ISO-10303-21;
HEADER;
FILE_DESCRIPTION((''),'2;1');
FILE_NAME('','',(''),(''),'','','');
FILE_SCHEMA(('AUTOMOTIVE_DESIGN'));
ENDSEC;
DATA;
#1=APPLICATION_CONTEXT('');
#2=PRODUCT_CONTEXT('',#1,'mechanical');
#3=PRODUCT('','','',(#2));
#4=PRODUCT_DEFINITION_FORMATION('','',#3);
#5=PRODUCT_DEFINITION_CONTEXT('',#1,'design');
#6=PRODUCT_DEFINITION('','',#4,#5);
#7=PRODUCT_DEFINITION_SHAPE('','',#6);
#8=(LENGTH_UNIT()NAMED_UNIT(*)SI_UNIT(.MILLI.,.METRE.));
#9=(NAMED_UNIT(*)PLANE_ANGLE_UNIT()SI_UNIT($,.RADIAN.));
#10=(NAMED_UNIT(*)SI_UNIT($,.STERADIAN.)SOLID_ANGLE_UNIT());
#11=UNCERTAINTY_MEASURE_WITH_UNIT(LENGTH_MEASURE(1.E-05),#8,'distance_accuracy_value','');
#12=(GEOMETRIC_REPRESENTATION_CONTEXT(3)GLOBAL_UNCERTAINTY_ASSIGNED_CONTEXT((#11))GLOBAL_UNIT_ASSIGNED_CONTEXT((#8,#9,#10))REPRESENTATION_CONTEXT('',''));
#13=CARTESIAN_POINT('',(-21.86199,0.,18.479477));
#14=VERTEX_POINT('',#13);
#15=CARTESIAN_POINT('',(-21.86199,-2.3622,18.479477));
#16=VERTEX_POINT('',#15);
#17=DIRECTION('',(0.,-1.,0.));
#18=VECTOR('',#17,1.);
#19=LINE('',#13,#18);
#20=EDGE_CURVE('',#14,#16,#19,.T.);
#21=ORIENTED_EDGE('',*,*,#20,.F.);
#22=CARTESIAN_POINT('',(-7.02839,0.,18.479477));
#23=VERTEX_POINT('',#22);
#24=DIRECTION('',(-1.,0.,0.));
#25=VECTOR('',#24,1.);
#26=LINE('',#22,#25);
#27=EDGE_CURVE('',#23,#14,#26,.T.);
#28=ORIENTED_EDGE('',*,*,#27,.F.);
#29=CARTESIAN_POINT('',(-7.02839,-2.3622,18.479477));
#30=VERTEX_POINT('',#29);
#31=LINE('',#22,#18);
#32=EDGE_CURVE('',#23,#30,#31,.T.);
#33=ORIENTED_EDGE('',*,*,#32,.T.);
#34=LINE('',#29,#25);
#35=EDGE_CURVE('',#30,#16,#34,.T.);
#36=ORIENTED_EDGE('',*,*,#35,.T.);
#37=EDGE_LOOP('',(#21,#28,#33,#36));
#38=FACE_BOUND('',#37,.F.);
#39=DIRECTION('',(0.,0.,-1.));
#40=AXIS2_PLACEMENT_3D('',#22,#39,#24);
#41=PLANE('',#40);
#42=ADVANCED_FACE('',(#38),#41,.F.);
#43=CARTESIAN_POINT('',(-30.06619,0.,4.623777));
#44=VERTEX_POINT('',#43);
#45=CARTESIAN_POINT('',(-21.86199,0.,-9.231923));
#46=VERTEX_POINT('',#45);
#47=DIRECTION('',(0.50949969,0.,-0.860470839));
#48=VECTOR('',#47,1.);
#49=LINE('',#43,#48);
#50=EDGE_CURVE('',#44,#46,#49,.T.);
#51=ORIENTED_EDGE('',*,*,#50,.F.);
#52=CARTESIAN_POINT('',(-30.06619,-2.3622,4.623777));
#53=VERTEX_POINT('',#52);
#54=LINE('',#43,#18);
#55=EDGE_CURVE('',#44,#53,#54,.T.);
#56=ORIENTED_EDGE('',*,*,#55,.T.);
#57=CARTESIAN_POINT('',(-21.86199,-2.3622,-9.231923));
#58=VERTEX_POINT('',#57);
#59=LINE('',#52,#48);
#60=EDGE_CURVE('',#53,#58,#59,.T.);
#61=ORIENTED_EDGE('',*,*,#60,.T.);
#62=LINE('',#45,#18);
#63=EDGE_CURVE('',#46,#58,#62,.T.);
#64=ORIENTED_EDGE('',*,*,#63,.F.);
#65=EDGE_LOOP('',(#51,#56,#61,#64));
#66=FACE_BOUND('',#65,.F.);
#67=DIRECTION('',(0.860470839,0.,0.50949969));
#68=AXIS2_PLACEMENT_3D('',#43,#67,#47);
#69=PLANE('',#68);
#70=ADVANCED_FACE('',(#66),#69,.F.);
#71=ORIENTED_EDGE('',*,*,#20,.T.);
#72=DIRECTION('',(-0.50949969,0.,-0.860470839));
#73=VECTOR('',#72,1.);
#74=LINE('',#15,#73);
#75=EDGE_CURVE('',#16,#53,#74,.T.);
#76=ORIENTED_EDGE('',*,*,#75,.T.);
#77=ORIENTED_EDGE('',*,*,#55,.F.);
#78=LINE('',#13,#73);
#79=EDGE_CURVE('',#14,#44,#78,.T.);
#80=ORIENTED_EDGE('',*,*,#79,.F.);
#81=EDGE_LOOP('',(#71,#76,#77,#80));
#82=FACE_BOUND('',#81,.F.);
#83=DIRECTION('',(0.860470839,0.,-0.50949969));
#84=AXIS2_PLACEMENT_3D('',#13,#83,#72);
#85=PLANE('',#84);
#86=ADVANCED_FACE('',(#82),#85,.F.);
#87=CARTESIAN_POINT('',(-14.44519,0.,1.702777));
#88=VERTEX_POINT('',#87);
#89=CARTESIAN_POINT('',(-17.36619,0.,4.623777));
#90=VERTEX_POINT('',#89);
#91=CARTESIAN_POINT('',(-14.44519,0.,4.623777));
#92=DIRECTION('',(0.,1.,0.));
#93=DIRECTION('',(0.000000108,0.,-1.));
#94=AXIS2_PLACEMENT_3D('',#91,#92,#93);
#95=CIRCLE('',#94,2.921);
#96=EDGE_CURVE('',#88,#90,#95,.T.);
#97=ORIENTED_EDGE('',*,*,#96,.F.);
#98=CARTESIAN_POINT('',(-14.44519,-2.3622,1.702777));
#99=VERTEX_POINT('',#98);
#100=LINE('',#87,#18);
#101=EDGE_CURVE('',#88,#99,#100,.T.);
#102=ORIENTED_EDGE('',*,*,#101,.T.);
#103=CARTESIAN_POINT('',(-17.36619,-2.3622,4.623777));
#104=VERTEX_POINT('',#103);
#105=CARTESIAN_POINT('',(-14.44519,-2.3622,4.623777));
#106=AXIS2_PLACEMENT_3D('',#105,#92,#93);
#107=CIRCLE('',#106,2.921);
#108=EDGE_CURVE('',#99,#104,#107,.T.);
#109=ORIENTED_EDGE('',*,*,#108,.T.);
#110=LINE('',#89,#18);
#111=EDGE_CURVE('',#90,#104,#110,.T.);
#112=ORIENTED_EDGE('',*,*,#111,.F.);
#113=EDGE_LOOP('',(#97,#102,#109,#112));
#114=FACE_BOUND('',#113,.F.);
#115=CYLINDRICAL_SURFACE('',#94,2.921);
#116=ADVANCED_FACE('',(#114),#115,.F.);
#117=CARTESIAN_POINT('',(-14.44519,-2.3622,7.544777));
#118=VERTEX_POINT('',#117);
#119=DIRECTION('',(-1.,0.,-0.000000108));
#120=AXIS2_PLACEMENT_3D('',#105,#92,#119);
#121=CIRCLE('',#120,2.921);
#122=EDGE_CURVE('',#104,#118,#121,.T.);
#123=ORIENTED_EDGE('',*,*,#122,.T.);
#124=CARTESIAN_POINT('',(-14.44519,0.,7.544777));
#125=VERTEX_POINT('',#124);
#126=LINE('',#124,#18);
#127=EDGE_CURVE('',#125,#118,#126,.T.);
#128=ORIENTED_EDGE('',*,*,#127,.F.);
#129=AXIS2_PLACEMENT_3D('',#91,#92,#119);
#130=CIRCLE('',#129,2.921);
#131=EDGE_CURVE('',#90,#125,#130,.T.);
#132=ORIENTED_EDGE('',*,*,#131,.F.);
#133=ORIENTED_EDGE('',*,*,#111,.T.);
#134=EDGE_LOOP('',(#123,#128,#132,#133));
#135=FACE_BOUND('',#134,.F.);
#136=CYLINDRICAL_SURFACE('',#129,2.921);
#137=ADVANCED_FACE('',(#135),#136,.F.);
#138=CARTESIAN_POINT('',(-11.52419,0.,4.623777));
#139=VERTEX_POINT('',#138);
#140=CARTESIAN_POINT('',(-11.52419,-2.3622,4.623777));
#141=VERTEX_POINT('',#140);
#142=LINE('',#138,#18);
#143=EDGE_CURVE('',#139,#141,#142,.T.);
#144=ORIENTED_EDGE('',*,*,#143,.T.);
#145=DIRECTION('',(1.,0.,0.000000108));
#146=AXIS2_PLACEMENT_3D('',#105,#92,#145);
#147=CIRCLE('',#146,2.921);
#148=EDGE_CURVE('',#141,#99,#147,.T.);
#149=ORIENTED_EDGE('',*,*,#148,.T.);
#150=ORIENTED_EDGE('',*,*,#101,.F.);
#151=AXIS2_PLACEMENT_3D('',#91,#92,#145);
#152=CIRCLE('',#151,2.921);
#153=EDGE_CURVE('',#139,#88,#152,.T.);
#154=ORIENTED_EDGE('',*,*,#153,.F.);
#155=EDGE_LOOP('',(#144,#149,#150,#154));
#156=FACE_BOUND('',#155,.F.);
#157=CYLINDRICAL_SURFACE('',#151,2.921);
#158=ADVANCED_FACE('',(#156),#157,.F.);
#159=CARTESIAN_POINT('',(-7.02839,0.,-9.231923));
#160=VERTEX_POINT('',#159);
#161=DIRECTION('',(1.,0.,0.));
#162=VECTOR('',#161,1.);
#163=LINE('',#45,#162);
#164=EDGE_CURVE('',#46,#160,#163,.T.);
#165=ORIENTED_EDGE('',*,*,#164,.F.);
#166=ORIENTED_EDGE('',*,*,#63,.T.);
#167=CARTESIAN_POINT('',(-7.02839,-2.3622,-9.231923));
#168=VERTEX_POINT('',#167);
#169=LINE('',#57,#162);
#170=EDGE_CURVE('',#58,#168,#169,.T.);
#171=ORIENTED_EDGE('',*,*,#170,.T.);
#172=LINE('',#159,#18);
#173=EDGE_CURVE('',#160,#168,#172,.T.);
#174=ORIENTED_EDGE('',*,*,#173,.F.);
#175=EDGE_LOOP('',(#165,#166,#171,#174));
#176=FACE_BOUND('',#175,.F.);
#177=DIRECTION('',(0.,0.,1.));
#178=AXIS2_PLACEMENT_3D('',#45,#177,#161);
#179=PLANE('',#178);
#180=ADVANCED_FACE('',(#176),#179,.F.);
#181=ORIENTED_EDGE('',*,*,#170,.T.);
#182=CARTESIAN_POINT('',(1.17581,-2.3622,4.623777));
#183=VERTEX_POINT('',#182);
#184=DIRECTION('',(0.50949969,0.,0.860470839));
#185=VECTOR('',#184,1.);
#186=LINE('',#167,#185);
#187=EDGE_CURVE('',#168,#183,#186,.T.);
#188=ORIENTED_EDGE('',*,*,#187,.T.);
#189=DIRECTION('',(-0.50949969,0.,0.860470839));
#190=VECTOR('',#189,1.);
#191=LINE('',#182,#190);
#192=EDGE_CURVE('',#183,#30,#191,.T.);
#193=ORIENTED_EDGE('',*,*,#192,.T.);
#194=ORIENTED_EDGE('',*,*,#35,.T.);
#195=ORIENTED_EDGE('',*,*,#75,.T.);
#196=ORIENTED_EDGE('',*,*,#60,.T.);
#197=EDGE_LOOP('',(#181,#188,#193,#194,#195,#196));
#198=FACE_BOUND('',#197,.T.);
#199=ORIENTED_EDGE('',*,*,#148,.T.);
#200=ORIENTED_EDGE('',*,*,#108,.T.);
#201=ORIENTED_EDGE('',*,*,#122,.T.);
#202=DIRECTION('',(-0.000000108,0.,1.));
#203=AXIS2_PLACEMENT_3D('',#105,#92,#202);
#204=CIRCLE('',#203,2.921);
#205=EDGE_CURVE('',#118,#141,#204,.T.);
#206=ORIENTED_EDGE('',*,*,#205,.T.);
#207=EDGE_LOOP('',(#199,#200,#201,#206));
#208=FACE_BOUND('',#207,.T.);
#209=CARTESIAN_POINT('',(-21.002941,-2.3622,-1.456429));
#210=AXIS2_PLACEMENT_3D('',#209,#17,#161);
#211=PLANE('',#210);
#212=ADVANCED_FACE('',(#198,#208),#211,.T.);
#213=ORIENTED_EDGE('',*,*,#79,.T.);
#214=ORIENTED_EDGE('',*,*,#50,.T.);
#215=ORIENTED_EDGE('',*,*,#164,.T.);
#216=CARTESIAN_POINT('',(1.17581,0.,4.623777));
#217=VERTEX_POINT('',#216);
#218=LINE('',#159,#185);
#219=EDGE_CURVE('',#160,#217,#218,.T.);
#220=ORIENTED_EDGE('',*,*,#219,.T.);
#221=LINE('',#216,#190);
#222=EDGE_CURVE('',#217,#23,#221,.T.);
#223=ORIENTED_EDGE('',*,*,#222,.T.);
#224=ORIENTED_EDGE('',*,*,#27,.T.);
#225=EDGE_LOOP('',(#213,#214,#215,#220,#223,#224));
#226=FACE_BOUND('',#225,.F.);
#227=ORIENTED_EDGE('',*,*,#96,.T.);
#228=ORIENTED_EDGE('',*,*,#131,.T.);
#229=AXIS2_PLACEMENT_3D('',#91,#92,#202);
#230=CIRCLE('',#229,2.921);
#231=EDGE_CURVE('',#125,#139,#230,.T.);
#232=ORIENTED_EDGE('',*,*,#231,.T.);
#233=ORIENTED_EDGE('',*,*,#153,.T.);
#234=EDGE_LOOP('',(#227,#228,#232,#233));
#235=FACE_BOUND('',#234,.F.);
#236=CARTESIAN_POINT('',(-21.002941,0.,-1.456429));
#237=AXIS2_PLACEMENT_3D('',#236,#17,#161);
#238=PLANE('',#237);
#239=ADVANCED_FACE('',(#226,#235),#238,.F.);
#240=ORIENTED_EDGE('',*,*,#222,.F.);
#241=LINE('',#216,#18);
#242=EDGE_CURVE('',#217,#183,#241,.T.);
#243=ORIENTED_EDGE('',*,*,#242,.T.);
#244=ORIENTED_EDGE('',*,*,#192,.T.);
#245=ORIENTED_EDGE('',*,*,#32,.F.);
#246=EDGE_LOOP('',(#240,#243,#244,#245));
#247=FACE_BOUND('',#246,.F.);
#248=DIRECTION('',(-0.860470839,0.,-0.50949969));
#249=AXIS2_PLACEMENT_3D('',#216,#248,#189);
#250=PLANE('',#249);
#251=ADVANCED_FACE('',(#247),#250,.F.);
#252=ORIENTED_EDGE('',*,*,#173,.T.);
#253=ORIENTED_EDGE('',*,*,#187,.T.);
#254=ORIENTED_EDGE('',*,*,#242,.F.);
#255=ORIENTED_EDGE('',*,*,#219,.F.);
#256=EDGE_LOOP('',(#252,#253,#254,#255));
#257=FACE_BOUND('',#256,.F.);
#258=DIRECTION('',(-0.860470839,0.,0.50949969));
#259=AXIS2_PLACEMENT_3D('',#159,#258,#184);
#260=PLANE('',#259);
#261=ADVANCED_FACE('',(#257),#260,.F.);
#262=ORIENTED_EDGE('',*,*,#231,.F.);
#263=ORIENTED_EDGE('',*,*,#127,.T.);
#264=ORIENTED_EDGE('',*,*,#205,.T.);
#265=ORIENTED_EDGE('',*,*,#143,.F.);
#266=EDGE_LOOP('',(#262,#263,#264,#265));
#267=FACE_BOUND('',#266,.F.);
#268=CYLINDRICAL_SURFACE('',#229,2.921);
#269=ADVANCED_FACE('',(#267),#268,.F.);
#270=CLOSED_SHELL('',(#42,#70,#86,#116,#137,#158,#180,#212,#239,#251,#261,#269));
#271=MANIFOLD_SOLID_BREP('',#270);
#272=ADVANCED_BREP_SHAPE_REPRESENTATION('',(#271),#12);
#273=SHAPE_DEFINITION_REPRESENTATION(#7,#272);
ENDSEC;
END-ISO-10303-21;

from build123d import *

# Parameters (mm, degrees)
F1_DEPTH = 2.3622


with BuildPart() as f1:
    # F0 (on Front) → F1 (new body)
    with BuildSketch(Plane.XZ):
        with BuildLine():
            Line((-21.86199, -9.231923), (-14.44519, -9.231923))
            Line((-14.44519, -9.231923), (-14.44519, 1.702777))
            ThreePointArc((-14.44519, 1.702777), (-16.510649, 2.558318), (-17.36619, 4.623777))
            Line((-17.36619, 4.623777), (-30.06619, 4.623777))
            Line((-30.06619, 4.623777), (-21.86199, -9.231923))
        make_face()
        with BuildLine():
            Line((-14.44519, 1.702777), (-14.44519, -9.231923))
            Line((-14.44519, -9.231923), (-7.02839, -9.231923))
            Line((-7.02839, -9.231923), (1.17581, 4.623777))
            Line((1.17581, 4.623777), (-11.52419, 4.623777))
            ThreePointArc((-11.52419, 4.623777), (-12.379731, 2.558318), (-14.44519, 1.702777))
        make_face()
        with BuildLine():
            Line((-30.06619, 4.623777), (-17.36619, 4.623777))
            ThreePointArc((-17.36619, 4.623777), (-16.510649, 6.689236), (-14.44519, 7.544777))
            Line((-14.44519, 7.544777), (-14.44519, 18.479477))
            Line((-14.44519, 18.479477), (-21.86199, 18.479477))
            Line((-21.86199, 18.479477), (-30.06619, 4.623777))
        make_face()
        with BuildLine():
            ThreePointArc((-14.44519, 7.544777), (-12.379731, 6.689236), (-11.52419, 4.623777))
            Line((-11.52419, 4.623777), (1.17581, 4.623777))
            Line((1.17581, 4.623777), (-7.02839, 18.479477))
            Line((-7.02839, 18.479477), (-14.44519, 18.479477))
            Line((-14.44519, 18.479477), (-14.44519, 7.544777))
        make_face()
    extrude(amount=F1_DEPTH)


solid = f1.part
